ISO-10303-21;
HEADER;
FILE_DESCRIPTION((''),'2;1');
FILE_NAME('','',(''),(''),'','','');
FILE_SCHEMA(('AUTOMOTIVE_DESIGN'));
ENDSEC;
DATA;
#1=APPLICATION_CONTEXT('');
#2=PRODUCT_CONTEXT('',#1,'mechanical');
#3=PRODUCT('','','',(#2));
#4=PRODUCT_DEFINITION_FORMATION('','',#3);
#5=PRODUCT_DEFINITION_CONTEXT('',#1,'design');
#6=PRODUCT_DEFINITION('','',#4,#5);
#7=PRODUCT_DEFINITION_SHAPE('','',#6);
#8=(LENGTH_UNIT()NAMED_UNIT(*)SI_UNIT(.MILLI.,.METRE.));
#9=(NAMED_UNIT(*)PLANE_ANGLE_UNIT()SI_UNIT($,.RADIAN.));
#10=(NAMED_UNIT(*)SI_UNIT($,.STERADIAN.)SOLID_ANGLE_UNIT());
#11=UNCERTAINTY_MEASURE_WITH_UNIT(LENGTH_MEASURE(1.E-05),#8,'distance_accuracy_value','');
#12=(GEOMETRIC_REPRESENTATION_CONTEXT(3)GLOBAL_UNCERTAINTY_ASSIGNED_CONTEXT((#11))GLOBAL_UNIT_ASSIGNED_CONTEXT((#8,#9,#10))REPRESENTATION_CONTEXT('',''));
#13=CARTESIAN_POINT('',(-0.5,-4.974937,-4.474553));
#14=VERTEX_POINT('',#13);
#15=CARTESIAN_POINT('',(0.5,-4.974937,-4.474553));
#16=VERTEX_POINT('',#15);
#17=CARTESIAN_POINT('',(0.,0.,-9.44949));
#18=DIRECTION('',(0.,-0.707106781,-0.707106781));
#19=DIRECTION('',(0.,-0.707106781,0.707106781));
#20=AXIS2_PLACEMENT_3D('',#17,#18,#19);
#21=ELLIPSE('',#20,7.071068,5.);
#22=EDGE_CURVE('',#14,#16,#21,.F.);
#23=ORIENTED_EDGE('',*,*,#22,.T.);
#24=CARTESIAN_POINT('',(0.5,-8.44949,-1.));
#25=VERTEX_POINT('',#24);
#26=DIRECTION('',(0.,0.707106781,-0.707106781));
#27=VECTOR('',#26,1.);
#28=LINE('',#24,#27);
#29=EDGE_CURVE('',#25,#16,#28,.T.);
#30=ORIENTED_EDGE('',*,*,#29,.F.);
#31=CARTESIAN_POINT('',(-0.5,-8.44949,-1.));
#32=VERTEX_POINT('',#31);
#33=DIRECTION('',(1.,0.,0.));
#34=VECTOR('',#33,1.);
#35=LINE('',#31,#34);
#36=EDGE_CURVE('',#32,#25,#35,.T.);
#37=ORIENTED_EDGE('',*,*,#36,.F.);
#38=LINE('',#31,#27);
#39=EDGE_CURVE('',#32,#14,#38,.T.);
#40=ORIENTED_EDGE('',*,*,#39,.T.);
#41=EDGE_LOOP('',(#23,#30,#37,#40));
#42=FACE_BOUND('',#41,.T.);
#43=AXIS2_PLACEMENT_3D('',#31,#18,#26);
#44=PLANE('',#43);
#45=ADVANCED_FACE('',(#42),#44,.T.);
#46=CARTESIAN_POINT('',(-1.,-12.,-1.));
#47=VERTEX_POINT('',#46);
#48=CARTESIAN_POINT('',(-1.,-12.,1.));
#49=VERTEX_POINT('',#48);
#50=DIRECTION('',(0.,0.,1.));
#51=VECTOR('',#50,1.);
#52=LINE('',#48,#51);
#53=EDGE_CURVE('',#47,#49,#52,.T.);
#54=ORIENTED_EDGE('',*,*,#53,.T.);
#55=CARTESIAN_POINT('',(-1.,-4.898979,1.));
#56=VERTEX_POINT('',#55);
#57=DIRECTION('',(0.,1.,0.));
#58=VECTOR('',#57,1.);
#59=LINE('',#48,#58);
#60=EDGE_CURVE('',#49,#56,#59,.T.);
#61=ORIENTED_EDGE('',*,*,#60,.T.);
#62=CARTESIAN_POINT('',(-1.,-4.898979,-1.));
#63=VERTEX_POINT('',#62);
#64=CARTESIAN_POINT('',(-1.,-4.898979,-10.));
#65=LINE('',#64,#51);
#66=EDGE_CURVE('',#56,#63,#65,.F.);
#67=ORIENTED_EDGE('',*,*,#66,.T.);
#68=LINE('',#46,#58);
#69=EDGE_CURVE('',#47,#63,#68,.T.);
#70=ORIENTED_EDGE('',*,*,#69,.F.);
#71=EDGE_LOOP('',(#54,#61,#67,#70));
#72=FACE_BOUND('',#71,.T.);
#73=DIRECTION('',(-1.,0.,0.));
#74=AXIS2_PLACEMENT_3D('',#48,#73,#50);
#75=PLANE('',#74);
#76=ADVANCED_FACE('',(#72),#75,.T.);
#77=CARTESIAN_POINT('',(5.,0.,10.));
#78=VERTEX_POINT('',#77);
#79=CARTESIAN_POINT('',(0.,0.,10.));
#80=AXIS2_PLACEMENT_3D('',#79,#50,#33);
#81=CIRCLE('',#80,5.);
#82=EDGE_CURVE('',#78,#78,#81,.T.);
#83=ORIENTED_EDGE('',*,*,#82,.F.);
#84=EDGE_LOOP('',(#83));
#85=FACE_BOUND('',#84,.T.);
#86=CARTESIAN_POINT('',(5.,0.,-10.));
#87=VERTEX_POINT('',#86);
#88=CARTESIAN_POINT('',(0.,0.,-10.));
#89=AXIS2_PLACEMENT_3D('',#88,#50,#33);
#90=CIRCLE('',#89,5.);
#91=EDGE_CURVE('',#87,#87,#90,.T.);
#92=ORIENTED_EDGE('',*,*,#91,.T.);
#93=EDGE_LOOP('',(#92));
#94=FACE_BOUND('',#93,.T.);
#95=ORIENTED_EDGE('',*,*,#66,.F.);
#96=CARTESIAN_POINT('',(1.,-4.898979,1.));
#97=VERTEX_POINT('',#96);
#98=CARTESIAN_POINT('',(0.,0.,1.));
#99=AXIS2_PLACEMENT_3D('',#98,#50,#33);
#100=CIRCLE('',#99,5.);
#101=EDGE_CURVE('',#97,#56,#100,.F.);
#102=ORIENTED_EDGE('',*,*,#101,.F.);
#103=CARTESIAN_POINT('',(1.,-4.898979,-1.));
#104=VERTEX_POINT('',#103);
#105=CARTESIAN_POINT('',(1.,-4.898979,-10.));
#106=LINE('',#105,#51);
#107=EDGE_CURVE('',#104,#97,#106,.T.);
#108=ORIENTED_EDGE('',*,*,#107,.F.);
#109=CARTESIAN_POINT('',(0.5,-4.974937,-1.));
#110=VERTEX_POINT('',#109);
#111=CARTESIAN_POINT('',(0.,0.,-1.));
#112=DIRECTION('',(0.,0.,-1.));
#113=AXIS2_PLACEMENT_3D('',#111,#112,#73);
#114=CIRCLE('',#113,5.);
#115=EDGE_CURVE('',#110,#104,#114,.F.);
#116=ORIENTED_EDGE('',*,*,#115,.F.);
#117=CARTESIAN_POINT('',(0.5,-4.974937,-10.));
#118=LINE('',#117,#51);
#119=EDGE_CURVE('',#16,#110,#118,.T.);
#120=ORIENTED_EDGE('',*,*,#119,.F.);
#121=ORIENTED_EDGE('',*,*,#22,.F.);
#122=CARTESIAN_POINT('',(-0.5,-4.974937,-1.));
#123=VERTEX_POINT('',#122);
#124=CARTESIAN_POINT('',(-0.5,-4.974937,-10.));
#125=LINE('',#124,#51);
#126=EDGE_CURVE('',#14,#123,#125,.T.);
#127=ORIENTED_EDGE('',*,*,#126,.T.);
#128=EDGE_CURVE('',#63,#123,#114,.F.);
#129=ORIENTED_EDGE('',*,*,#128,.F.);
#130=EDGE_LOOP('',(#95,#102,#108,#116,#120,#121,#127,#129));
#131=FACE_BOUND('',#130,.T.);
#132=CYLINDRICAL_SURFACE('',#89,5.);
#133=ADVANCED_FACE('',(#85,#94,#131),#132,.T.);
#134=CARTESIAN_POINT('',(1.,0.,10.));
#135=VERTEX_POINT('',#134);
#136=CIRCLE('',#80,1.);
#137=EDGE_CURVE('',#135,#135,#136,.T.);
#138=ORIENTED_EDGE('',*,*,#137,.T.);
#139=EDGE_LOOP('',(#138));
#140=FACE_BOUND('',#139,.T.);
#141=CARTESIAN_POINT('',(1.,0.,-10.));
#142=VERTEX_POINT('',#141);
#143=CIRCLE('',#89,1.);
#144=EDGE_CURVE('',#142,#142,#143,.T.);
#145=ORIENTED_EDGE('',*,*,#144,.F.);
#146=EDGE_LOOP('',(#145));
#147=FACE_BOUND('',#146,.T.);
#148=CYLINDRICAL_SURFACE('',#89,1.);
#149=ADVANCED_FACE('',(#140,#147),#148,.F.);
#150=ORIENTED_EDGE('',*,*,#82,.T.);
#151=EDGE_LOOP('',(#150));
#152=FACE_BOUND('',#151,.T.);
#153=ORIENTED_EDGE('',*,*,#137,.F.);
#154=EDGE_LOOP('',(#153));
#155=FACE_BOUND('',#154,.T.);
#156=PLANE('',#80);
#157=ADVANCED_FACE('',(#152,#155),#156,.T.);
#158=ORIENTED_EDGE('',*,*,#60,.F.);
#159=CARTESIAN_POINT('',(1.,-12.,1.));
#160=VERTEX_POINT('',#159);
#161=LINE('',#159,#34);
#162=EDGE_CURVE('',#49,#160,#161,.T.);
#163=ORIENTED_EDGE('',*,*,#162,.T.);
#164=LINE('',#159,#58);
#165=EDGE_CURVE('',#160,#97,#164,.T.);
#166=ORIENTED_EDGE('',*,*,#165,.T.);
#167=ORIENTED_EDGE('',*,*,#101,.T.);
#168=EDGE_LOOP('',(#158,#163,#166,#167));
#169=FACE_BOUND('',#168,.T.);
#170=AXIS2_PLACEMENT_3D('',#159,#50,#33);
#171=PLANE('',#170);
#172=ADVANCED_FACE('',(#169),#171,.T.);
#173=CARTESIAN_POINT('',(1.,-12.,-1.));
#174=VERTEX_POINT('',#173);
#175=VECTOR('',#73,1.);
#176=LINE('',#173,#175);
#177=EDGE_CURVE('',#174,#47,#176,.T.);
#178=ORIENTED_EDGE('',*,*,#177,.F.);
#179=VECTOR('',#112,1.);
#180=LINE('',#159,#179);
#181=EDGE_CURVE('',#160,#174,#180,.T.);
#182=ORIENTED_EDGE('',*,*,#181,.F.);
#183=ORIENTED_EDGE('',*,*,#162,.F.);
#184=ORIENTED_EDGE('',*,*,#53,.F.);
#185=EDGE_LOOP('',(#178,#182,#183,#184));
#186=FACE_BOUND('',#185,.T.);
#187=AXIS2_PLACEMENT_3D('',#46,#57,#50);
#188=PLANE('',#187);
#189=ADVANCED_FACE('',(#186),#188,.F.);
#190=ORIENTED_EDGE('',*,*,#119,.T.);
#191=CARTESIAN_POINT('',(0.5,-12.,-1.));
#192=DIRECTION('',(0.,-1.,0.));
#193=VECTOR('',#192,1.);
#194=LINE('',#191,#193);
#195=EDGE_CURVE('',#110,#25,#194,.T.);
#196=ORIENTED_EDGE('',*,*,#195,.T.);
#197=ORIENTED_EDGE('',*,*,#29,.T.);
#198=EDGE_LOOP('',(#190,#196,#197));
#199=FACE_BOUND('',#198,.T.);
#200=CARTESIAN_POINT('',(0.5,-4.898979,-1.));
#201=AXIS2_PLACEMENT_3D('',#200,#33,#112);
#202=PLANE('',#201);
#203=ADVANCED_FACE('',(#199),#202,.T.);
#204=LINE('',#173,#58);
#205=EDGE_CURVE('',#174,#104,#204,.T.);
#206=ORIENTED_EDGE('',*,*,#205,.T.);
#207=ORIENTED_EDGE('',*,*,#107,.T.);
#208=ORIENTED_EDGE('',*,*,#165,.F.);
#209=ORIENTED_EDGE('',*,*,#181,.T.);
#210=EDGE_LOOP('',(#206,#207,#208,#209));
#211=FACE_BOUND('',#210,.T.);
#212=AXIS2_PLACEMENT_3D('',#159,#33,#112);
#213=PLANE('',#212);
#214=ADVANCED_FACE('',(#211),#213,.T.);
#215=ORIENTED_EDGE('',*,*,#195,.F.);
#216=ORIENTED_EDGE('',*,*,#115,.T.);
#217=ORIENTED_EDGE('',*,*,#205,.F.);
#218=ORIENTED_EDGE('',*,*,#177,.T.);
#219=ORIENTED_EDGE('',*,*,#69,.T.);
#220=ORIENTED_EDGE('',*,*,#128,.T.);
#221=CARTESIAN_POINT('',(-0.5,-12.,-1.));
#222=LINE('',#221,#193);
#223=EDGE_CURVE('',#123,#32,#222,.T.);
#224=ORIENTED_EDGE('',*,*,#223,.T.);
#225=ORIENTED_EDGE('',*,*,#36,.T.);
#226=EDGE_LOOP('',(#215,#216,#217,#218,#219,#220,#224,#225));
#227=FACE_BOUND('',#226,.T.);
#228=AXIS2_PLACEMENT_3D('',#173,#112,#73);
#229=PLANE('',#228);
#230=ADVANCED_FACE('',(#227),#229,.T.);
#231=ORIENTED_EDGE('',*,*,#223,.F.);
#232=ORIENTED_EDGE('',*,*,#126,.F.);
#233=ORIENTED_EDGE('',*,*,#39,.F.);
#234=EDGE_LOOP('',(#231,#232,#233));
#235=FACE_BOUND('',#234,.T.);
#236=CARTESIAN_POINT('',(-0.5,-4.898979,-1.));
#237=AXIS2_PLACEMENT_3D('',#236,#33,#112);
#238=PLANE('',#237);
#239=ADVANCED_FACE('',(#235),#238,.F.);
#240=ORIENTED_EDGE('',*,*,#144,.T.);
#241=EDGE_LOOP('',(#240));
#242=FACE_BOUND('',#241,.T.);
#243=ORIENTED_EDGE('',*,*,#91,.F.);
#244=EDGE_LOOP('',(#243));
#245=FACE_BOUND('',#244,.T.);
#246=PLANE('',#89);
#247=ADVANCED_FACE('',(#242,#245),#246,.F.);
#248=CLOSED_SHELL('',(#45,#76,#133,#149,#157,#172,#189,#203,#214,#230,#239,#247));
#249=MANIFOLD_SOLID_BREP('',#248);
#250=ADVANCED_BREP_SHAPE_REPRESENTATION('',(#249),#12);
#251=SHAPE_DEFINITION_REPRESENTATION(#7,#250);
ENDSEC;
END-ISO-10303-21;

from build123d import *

# Parameters (mm, degrees)
ESQUISSE1_R             = 5
ESQUISSE1_R_2           = 1
BOSS_EXTRU_1_DEPTH      = 10
BOSS_EXTRU_1_DEPTH_BACK = 10
ESQUISSE3_W             = 2
ESQUISSE3_H             = 2
BOSS_EXTRU_2_DEPTH      = 10
BOSS_EXTRU_3_DEPTH      = 0.5
BOSS_EXTRU_3_DEPTH_BACK = 0.5


with BuildPart() as part:
    # Esquisse1 → Boss.-Extru.1 (new body, two sides)
    with BuildSketch(Plane.XY) as boss_extru_1_sk:
        Circle(ESQUISSE1_R)
        Circle(ESQUISSE1_R_2, mode=Mode.SUBTRACT)
    extrude(amount=BOSS_EXTRU_1_DEPTH)
    extrude(boss_extru_1_sk.sketch, amount=-BOSS_EXTRU_1_DEPTH_BACK)

    # Esquisse3 → Boss.-Extru.2 (add)
    with BuildSketch(Plane(origin=(0, -2, 0), x_dir=(1, 0, 0), z_dir=(0, 1, 0))):
        Rectangle(ESQUISSE3_W, ESQUISSE3_H)
    extrude(amount=-BOSS_EXTRU_2_DEPTH)

    # Esquisse4 → Boss.-Extru.3 (add, two sides)
    with BuildSketch(Plane(origin=(0, 0, 0), x_dir=(0, 0, -1), z_dir=(1, 0, 0))) as boss_extru_3_sk:
        Polygon((1, -8.449489743), (4.550510257, -4.898979486), (1, -4.898979486), align=None)
    extrude(amount=BOSS_EXTRU_3_DEPTH)
    extrude(boss_extru_3_sk.sketch, amount=-BOSS_EXTRU_3_DEPTH_BACK)


solid = part.part
